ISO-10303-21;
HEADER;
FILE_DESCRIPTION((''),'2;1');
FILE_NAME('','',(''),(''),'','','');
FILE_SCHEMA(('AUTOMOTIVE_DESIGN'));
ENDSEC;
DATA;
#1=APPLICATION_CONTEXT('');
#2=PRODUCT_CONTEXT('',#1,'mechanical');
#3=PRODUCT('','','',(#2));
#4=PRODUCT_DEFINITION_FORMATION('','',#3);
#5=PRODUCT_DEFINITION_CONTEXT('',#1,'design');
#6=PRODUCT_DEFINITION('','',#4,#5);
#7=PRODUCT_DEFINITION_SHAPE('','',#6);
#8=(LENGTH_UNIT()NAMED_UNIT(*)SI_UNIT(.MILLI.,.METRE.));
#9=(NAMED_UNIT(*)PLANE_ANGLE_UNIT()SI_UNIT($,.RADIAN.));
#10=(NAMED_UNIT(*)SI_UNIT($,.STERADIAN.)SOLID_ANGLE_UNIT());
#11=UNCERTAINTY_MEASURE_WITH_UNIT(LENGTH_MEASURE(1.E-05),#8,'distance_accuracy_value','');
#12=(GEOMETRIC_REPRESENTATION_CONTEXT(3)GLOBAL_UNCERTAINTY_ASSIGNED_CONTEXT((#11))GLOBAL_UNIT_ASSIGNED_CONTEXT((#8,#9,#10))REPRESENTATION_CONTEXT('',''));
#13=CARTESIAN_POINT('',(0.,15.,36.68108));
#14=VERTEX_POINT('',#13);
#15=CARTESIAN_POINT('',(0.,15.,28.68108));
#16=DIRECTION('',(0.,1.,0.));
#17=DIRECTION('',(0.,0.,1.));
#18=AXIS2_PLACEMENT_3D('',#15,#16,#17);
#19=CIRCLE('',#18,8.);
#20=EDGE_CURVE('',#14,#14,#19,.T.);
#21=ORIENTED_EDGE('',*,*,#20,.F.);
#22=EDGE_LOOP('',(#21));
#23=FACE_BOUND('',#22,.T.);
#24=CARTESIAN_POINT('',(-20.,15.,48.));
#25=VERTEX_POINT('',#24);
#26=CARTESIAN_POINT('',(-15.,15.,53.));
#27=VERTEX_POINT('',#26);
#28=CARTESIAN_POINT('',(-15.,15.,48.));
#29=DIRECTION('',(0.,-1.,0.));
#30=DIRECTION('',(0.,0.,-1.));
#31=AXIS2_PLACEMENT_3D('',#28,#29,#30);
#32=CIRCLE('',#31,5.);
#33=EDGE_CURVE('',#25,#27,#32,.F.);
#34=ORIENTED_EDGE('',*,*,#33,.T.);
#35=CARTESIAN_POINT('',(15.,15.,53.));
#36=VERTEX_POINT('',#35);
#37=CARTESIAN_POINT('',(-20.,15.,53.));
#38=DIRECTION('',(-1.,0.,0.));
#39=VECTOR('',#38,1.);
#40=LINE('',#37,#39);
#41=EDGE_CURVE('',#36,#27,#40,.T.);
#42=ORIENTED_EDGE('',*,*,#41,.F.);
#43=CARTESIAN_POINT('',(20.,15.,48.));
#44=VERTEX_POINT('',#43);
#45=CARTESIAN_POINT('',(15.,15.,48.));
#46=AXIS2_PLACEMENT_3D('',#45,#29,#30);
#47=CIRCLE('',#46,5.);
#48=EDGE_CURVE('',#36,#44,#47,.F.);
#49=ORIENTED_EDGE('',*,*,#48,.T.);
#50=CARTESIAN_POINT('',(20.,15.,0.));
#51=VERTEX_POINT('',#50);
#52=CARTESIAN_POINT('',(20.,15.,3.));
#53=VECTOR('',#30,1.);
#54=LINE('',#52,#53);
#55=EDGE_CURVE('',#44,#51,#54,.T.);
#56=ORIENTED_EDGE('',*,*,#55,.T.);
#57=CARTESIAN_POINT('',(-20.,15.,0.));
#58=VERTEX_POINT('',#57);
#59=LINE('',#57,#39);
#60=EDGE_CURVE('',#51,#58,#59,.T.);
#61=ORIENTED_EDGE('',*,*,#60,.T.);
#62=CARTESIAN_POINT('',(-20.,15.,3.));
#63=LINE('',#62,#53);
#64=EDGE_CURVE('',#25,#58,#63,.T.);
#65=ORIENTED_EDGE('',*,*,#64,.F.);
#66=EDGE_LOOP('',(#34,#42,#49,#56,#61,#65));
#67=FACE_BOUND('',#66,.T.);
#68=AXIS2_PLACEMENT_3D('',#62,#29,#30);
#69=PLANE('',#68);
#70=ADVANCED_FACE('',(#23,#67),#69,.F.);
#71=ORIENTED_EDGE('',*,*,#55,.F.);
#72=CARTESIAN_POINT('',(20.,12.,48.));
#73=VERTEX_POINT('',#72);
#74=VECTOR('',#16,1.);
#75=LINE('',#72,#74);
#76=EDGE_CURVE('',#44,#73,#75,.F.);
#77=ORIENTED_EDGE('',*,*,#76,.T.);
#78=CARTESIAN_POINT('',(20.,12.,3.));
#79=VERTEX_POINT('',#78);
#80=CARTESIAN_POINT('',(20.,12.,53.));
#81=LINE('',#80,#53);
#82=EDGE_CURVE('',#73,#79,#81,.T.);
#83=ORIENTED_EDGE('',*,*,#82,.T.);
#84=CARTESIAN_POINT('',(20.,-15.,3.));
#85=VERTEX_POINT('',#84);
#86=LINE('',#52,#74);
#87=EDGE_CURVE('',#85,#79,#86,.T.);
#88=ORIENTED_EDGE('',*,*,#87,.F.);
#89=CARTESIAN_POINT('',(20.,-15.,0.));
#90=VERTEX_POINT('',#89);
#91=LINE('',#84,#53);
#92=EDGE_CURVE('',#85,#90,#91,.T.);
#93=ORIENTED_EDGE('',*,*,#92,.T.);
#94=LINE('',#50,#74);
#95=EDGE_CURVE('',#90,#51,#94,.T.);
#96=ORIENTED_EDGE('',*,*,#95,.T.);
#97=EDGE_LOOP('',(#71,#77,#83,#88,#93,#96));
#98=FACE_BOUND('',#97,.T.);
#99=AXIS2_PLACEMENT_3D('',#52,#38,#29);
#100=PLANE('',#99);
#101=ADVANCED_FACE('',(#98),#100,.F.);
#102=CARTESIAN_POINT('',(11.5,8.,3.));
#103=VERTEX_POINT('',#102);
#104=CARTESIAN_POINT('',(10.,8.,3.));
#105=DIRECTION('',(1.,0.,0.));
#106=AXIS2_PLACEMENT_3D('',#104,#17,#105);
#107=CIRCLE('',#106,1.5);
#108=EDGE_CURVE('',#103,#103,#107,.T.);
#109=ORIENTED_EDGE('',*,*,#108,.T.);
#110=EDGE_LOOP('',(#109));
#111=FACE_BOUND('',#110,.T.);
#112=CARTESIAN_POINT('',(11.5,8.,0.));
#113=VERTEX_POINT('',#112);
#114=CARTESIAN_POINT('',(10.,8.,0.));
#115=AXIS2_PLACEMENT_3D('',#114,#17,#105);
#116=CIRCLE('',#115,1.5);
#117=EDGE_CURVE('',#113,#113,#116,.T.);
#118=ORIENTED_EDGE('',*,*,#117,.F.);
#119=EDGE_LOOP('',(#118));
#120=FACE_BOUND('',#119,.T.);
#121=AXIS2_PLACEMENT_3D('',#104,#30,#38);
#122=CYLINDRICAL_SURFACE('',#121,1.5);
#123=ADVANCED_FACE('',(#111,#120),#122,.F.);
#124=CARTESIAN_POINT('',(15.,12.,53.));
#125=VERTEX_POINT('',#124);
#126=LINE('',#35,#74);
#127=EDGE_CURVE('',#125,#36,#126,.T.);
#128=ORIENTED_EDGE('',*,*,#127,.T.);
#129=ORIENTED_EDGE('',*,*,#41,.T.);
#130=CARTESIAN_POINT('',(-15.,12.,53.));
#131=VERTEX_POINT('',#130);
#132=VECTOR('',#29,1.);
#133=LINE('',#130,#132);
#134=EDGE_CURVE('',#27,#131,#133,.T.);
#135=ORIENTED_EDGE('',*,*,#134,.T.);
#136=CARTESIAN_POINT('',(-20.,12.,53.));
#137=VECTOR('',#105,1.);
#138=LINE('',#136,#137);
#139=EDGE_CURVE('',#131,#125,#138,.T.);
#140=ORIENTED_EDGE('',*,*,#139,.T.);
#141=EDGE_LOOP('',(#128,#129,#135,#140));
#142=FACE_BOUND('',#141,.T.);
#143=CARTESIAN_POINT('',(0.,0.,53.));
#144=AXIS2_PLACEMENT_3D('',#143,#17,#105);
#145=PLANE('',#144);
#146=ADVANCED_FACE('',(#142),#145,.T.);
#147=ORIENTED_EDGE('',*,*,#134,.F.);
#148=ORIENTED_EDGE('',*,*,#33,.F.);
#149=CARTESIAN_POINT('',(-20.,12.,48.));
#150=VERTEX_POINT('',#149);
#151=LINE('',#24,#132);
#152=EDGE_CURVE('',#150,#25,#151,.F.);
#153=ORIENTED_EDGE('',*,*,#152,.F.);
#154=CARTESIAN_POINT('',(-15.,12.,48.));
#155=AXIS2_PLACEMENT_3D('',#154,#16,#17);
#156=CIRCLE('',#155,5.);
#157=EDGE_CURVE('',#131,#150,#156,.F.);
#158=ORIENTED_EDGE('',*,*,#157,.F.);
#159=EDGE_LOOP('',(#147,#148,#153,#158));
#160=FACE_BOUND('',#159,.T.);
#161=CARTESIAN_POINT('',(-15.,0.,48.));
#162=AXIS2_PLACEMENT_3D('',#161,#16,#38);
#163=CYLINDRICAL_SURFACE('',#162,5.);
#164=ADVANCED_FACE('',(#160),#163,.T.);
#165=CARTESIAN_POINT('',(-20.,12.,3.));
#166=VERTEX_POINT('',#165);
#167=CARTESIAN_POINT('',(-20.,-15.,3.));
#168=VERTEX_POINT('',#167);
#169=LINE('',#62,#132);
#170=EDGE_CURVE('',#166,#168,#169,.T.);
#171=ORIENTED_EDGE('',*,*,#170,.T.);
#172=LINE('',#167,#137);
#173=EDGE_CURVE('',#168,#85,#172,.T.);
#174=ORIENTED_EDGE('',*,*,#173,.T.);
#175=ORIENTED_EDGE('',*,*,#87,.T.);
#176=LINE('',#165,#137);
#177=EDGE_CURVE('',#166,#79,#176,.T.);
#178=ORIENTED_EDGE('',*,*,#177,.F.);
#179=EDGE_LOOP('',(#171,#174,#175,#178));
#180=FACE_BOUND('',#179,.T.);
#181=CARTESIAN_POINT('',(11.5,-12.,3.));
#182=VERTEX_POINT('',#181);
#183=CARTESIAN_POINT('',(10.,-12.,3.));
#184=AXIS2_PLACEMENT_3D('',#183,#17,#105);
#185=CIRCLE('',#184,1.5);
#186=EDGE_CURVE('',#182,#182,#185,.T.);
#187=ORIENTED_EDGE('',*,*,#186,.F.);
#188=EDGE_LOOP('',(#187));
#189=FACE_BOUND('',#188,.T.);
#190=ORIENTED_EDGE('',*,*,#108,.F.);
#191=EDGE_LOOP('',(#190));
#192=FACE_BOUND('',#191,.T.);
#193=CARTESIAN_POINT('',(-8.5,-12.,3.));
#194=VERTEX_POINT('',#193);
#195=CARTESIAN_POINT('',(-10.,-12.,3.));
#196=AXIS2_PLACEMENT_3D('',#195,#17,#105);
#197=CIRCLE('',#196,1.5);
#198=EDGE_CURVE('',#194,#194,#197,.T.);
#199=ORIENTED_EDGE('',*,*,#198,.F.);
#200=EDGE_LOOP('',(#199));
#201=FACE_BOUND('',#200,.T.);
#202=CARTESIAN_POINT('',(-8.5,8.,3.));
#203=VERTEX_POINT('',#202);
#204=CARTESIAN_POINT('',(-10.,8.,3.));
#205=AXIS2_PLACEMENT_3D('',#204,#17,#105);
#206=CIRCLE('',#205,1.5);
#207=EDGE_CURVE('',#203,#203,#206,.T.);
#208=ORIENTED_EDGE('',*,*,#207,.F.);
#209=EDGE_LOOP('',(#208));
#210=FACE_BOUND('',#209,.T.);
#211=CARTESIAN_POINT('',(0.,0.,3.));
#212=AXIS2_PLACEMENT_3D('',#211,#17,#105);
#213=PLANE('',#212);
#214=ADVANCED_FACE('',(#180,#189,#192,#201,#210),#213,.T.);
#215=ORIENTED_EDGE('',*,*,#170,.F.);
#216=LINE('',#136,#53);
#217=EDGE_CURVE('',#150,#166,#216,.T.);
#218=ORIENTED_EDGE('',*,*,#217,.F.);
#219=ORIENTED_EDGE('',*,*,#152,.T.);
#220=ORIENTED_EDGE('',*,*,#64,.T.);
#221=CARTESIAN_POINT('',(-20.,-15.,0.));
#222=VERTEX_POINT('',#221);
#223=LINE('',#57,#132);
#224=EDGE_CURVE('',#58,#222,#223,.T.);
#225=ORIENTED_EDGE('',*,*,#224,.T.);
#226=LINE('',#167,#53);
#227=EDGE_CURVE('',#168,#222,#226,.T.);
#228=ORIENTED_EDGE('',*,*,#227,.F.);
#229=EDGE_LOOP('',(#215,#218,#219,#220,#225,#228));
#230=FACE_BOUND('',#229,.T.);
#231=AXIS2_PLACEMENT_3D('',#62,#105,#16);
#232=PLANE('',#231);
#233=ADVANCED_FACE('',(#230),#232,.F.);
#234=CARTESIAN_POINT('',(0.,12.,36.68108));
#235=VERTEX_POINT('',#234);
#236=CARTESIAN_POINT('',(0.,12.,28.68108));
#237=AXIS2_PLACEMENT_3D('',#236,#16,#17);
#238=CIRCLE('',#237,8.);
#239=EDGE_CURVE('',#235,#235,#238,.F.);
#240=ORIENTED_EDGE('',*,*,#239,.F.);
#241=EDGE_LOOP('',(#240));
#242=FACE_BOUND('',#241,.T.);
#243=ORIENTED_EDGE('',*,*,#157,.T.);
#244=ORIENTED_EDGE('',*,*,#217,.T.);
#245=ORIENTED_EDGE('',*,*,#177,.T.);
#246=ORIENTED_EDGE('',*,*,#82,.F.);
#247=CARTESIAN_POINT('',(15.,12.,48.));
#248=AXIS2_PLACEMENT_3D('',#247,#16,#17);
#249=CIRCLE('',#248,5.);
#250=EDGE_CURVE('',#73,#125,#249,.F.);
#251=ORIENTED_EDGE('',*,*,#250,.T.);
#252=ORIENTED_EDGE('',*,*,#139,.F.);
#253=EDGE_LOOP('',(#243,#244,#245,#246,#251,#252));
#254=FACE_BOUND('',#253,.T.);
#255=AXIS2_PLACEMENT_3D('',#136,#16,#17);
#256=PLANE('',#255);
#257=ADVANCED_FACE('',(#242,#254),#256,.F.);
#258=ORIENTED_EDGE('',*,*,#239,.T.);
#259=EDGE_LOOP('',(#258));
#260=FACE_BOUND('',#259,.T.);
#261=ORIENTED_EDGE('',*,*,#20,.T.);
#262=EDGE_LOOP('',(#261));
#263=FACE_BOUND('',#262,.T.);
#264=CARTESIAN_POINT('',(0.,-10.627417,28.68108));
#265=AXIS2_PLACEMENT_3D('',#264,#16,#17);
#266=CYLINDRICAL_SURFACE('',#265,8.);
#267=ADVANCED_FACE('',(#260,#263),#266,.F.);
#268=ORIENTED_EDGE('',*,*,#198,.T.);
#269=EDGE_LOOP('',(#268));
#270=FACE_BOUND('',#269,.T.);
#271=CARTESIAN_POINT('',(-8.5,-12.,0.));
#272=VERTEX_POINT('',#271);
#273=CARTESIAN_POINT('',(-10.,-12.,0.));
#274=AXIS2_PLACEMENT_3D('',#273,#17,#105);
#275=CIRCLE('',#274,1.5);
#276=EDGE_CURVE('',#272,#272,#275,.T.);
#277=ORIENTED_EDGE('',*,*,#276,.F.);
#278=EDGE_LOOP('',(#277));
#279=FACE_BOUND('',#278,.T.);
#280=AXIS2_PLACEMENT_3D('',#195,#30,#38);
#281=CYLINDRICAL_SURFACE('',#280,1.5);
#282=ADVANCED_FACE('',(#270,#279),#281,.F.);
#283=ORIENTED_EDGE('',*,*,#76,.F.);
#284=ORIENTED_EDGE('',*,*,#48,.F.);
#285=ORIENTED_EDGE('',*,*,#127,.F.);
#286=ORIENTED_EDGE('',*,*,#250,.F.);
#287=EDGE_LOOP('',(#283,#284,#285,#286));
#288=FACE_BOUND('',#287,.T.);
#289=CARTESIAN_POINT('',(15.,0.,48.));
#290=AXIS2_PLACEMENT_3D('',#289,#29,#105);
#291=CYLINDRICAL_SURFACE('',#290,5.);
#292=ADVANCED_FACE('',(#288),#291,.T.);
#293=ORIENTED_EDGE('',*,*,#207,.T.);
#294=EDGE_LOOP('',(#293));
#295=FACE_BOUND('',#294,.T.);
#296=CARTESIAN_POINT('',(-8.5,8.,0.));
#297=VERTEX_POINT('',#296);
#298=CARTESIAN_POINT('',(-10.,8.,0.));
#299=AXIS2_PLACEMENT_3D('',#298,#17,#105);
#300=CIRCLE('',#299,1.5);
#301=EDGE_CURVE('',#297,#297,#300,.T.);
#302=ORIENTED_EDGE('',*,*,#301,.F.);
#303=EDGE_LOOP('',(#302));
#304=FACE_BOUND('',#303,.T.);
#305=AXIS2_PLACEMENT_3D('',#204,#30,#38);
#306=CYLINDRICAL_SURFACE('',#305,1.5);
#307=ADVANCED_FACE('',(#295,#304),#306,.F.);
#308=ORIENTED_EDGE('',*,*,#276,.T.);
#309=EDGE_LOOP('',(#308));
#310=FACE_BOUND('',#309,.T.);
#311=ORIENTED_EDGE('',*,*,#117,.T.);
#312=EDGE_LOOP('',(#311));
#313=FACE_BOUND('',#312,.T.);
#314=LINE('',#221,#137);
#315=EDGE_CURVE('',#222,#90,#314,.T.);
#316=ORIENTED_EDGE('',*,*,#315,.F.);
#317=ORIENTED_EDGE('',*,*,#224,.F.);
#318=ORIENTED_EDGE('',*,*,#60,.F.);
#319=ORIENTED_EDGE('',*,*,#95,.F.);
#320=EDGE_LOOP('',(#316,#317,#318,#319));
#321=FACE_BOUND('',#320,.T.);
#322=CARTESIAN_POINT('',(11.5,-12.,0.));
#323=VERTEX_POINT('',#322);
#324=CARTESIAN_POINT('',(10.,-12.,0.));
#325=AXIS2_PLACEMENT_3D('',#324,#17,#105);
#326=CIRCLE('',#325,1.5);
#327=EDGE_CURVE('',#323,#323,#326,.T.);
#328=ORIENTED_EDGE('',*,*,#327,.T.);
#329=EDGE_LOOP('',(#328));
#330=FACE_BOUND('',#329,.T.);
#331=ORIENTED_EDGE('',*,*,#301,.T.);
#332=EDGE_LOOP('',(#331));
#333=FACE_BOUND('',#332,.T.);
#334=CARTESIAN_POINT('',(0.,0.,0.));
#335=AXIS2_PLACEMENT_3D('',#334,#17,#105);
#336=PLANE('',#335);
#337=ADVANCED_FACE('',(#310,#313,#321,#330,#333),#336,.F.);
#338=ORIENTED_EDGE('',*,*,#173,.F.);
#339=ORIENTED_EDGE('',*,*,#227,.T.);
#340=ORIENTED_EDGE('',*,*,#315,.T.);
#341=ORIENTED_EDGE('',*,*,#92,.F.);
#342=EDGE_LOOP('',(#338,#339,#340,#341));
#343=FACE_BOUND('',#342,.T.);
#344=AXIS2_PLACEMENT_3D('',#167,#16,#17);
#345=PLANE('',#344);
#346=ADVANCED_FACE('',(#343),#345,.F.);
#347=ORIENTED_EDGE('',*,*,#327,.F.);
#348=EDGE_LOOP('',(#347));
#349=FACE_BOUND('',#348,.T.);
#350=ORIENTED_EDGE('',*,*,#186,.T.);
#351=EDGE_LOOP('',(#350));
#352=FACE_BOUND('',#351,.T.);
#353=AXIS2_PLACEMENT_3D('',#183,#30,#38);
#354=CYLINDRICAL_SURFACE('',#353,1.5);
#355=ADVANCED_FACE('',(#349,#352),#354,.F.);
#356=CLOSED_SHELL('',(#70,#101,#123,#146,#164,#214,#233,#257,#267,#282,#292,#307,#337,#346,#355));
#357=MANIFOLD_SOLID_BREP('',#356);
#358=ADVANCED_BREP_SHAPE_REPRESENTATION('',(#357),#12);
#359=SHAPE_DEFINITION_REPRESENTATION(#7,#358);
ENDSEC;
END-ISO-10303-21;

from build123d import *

# Parameters (mm, degrees)
SKETCH1_W           = 40
SKETCH1_H           = 30
SKETCH1_R           = 1.5
BOSS_EXTRUDE1_DEPTH = 3
SKETCH2_W           = 40
SKETCH2_H           = 3
BOSS_EXTRUDE2_DEPTH = 50
FILLET1_R           = 5
SKETCH3_R           = 8
CUT_EXTRUDE1_DEPTH  = 3


with BuildPart() as part:
    # Sketch1 → Boss-Extrude1 (new body)
    with BuildSketch(Plane.XY):
        Rectangle(SKETCH1_W, SKETCH1_H)
        with Locations((-10, 8)):
            Circle(SKETCH1_R, mode=Mode.SUBTRACT)
        with Locations((10, 8)):
            Circle(SKETCH1_R, mode=Mode.SUBTRACT)
        with Locations((-10, -12)):
            Circle(SKETCH1_R, mode=Mode.SUBTRACT)
        with Locations((10, -12)):
            Circle(SKETCH1_R, mode=Mode.SUBTRACT)
    extrude(amount=BOSS_EXTRUDE1_DEPTH)

    # Sketch2 → Boss-Extrude2 (add)
    with BuildSketch(Plane.XY.offset(3)):
        with Locations((0, 13.5)):
            Rectangle(SKETCH2_W, SKETCH2_H)
    extrude(amount=BOSS_EXTRUDE2_DEPTH)

    # Fillet1
    fillet1_edges = [part.edges().sort_by_distance(p)[0] for p in [
        (-20, 13.5, 53),
        (20, 13.5, 53),
    ]]
    fillet(fillet1_edges, radius=FILLET1_R)

    # Sketch3 → Cut-Extrude1 (cut)
    with BuildSketch(Plane(origin=(0, 15, 0), x_dir=(1, 0, 0), z_dir=(0, 1, 0))):
        with Locations(Location((0, -28.681080483, 0), (0, 0, 270))):
            Circle(SKETCH3_R)
    extrude(amount=-CUT_EXTRUDE1_DEPTH, mode=Mode.SUBTRACT)


solid = part.part
